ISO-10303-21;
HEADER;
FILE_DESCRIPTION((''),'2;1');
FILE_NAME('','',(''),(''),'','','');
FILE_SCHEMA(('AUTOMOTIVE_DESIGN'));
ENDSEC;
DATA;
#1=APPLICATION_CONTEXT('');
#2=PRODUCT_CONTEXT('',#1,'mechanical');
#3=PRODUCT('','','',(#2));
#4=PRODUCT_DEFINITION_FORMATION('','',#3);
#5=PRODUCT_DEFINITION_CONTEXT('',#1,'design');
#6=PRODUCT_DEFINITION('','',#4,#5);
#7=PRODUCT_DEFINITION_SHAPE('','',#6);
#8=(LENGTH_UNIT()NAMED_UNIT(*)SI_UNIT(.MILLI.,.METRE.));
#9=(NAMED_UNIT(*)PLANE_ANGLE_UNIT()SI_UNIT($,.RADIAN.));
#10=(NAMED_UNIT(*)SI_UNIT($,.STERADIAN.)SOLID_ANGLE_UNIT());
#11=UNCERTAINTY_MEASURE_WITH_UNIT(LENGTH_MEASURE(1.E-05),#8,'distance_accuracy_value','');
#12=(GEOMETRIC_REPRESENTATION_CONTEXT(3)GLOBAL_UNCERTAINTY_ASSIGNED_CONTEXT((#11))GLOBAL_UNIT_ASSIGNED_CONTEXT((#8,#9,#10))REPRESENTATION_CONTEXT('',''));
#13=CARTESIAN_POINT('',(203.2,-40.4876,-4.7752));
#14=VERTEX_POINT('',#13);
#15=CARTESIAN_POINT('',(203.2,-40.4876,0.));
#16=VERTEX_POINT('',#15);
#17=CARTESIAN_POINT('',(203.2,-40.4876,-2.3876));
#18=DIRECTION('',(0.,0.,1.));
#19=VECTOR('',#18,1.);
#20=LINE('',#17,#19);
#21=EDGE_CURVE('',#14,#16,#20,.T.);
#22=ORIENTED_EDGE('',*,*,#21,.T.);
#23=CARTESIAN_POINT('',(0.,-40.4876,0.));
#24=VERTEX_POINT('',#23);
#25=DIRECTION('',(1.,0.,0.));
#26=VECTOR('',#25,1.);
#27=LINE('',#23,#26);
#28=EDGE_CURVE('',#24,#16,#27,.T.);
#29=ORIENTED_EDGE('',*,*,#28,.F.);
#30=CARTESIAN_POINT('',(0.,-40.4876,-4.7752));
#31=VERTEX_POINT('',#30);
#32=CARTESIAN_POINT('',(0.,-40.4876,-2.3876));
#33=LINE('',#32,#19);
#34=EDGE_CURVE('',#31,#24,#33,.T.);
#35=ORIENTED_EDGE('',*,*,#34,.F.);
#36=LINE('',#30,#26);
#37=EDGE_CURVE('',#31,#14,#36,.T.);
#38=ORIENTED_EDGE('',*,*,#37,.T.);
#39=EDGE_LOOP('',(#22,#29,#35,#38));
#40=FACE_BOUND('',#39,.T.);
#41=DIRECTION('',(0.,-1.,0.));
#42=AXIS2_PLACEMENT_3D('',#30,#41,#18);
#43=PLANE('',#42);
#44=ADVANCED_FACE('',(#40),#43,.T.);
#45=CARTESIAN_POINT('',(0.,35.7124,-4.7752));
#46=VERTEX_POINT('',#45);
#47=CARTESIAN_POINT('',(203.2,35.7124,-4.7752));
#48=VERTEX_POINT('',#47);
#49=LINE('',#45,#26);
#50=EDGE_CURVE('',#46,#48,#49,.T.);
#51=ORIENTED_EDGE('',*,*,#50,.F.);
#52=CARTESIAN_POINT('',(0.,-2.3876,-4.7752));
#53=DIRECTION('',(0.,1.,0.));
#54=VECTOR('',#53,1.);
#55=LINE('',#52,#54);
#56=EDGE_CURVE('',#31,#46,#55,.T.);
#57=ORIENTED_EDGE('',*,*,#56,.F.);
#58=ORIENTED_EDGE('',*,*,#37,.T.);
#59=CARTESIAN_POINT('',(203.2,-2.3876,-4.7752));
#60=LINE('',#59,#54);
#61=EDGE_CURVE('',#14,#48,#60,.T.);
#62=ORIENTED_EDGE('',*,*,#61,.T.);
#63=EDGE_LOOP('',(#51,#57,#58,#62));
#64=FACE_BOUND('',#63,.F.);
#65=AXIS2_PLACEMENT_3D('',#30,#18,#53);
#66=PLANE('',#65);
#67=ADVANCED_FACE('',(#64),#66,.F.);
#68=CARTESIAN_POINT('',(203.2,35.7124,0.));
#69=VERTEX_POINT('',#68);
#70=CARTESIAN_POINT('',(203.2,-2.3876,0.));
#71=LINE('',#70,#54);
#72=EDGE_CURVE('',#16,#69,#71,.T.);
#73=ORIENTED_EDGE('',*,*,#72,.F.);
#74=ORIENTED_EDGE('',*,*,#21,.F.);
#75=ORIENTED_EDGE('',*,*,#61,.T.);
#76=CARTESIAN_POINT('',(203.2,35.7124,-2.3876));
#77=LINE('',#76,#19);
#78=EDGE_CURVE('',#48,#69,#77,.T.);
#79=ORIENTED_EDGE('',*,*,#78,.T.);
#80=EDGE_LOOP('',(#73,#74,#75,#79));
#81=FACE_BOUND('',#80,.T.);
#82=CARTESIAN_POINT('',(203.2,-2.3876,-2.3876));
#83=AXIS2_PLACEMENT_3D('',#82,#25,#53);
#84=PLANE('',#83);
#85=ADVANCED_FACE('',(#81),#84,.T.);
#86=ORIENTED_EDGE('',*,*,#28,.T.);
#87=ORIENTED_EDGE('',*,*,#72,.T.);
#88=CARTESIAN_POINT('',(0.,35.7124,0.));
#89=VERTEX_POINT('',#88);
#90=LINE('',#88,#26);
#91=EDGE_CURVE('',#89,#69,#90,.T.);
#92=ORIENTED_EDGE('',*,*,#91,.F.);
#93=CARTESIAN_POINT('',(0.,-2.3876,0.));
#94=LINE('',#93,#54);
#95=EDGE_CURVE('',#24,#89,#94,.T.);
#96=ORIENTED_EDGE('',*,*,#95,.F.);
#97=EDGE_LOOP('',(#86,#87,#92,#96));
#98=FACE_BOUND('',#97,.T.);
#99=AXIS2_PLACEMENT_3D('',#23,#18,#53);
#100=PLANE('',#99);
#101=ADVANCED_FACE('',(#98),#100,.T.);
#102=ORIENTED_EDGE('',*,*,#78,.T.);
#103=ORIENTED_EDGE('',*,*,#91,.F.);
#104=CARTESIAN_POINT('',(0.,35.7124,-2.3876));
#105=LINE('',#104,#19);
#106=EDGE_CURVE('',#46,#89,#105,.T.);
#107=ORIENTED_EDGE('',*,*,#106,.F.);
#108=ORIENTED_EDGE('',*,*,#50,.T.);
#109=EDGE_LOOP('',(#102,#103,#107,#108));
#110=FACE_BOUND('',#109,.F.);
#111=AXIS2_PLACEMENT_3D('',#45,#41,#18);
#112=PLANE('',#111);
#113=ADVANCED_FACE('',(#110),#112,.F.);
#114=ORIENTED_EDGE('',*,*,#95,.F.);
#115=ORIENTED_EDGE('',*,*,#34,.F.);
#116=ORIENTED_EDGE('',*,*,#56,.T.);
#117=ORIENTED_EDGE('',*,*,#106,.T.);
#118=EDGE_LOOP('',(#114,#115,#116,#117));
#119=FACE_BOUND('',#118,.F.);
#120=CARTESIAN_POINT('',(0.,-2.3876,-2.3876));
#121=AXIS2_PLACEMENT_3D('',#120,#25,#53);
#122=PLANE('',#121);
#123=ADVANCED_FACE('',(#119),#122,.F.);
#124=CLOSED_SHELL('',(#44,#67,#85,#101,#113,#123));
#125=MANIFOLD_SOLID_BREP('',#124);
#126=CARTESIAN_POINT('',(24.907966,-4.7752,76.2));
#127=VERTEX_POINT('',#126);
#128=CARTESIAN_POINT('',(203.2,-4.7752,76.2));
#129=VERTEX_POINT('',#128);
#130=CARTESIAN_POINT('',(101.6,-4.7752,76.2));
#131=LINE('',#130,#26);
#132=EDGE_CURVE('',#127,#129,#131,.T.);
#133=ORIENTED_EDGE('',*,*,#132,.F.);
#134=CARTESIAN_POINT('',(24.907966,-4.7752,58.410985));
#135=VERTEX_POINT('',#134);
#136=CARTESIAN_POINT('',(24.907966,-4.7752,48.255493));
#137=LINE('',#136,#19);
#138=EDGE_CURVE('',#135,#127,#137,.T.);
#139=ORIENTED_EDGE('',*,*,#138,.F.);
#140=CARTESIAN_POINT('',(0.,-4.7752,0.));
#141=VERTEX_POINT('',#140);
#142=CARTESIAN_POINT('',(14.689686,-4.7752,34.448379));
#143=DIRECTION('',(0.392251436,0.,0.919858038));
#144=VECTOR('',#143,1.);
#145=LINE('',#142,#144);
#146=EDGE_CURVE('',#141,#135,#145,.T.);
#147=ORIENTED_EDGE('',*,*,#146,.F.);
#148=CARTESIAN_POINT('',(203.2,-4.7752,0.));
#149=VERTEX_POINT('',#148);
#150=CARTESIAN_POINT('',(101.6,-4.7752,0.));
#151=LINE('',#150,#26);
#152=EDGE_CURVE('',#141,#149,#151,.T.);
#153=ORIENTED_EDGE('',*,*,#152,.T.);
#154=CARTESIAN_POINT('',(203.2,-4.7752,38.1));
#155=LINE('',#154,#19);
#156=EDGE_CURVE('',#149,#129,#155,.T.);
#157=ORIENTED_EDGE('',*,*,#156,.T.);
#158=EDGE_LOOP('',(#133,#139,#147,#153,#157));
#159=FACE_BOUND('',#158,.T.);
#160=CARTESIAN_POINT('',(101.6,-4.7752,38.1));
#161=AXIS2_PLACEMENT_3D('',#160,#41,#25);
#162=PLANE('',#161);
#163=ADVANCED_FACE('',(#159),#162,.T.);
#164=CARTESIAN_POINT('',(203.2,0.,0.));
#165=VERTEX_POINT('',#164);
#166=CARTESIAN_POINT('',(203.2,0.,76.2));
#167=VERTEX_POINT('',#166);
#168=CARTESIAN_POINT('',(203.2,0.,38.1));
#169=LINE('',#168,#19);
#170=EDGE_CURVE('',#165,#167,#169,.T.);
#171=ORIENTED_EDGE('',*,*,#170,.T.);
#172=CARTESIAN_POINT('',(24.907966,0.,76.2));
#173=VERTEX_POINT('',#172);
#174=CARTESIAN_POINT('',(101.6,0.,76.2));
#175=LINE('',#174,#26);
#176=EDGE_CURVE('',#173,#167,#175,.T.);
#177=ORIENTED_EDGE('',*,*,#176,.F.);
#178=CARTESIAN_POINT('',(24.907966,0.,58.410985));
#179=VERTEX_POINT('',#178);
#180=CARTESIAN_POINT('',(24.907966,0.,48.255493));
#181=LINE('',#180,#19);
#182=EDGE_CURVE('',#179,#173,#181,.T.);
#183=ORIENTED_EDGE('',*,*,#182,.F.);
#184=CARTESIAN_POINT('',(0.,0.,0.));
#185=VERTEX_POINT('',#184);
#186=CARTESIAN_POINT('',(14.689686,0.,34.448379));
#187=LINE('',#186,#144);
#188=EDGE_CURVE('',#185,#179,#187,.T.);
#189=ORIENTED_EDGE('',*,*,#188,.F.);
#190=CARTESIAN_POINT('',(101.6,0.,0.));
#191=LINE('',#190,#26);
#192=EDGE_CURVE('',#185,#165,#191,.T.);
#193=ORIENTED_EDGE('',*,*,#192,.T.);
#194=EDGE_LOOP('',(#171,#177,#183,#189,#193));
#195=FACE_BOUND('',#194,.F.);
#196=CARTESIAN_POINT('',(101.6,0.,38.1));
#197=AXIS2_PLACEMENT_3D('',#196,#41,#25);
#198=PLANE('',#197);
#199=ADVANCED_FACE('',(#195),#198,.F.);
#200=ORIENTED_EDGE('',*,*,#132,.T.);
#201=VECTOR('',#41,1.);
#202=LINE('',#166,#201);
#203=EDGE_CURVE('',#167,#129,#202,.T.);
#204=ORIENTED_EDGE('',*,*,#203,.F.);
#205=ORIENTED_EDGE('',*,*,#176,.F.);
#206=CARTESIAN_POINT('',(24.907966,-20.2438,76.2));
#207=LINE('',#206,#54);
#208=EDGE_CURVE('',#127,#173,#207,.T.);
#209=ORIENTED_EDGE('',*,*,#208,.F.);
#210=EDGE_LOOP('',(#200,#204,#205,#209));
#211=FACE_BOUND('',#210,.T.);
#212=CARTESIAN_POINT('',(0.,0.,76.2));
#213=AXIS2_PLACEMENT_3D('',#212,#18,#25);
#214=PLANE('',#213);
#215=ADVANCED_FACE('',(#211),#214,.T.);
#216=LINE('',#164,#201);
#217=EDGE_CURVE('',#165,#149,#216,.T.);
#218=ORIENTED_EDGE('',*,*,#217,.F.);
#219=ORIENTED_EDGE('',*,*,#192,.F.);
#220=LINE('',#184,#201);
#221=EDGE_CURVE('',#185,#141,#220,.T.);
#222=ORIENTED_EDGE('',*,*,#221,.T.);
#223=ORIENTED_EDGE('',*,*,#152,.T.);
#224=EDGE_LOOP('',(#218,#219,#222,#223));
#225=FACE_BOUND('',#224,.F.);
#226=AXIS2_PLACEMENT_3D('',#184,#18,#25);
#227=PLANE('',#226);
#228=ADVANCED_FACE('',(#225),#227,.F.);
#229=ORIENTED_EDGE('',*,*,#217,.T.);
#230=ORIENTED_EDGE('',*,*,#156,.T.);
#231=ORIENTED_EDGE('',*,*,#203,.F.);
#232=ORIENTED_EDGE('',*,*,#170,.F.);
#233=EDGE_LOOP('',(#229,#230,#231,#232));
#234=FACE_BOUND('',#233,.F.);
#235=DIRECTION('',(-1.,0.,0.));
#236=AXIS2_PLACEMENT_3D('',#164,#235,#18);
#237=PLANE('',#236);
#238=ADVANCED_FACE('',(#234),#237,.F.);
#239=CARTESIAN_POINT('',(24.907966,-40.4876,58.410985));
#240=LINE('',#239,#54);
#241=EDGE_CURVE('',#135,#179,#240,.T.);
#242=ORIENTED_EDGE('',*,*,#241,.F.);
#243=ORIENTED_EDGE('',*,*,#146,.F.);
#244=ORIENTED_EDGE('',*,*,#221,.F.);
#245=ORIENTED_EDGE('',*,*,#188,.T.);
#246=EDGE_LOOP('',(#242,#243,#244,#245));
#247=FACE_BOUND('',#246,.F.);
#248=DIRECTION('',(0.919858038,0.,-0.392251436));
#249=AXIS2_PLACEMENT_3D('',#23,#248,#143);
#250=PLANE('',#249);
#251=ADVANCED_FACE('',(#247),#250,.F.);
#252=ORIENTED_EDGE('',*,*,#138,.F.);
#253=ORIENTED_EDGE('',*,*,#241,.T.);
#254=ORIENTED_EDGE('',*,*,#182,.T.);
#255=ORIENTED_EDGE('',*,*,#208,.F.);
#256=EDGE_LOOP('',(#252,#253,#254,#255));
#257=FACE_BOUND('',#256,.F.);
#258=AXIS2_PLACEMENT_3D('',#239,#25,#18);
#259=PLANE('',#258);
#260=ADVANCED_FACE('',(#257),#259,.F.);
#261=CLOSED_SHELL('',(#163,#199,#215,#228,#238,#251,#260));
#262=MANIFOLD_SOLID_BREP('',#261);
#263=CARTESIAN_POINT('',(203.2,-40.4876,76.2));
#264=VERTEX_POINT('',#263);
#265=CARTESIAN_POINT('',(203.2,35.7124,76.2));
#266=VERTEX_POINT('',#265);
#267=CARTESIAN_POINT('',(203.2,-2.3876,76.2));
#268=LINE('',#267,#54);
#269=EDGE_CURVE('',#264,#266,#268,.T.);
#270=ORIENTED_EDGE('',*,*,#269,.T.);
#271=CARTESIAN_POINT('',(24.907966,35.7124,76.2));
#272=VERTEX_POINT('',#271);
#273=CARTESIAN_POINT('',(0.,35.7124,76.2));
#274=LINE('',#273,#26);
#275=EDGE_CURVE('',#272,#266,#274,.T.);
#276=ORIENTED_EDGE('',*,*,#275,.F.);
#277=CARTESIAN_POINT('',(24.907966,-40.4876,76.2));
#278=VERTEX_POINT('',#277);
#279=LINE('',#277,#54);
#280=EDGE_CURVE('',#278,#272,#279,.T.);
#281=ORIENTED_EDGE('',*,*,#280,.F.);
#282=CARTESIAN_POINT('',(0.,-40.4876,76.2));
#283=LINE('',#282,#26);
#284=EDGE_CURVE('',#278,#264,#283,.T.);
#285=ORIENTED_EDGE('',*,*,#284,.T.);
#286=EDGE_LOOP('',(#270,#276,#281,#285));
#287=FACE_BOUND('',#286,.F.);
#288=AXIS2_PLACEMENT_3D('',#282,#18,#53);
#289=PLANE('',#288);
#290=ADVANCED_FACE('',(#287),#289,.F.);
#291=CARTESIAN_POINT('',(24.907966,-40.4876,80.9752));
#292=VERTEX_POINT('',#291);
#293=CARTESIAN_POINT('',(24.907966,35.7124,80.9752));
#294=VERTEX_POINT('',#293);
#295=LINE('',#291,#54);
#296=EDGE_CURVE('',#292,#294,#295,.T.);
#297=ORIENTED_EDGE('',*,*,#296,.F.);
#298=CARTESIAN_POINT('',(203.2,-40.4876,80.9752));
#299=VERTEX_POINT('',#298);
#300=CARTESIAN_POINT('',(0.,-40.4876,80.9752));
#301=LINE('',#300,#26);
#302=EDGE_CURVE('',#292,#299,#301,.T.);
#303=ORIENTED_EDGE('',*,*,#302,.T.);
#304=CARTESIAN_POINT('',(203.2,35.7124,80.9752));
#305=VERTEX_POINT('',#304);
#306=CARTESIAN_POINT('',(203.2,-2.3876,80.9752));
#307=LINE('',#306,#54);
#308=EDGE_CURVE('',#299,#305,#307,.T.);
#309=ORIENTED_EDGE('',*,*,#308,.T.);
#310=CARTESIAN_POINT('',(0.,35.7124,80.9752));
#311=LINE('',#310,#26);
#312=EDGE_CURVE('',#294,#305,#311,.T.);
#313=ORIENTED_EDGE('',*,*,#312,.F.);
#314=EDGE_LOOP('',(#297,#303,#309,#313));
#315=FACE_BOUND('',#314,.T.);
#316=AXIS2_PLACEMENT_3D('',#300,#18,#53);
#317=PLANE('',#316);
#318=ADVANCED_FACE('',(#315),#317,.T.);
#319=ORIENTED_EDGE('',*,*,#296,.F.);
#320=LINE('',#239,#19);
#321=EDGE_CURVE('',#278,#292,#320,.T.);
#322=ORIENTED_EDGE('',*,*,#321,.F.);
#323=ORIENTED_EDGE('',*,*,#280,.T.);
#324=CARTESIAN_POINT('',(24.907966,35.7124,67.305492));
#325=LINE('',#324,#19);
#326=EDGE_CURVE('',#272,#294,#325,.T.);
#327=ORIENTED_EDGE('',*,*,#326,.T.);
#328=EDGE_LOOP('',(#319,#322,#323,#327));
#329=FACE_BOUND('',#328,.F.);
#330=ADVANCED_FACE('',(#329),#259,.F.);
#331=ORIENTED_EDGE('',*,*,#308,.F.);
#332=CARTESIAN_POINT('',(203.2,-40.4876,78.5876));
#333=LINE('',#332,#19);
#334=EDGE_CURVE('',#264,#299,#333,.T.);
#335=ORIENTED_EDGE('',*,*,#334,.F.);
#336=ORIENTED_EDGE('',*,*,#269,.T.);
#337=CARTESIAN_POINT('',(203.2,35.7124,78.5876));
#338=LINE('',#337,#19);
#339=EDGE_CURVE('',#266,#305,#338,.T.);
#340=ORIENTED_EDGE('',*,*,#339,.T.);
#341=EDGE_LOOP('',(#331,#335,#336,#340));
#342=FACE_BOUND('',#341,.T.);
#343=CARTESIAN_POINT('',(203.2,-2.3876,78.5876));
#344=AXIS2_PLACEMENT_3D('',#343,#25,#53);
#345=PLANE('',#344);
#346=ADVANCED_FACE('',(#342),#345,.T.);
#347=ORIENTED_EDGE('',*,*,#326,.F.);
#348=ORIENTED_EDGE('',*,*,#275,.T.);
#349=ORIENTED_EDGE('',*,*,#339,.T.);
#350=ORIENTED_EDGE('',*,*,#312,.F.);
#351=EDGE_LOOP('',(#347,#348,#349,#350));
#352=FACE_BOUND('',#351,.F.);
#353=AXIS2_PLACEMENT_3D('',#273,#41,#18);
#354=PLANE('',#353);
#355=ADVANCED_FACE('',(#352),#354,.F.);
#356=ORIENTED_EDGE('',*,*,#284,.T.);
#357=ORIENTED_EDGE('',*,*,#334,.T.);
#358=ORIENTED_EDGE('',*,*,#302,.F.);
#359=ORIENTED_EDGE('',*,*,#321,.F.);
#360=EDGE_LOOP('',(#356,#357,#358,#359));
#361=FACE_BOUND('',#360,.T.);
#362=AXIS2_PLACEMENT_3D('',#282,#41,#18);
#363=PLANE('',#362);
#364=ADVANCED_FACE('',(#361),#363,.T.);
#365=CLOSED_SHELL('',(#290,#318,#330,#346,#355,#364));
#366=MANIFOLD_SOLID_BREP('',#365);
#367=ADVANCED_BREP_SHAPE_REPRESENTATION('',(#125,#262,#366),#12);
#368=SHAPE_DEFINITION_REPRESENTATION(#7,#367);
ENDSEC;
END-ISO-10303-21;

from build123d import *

# Parameters (mm, degrees)
F0_W     = 203.2
F0_H     = 76.2
F1_DEPTH = 4.7752
F2_W     = 76.2
F2_H     = 4.7752
F3_DEPTH = 203.2
F4_W     = 24.907966
F4_H     = 4.7752
F5_DEPTH = 80.264


with BuildPart() as f1:
    # F0 (on Front) → F1 (new body)
    with BuildSketch(Plane.XZ):
        with Locations((101.6, 38.1)):
            Rectangle(F0_W, F0_H)
    extrude(amount=F1_DEPTH)


with BuildPart() as f3:
    # F2 (on Right) → F3 (new body)
    with BuildSketch(Plane.YZ):
        with Locations((-2.3876, 78.5876)):
            Rectangle(F2_W, F2_H)
        with Locations((-2.3876, -2.3876)):
            Rectangle(F2_W, F2_H)
    extrude(amount=F3_DEPTH)


with BuildPart() as f5_tool:
    # F4 (on face) → F5 (new body)
    with BuildSketch(Plane.XZ.offset(40.4876)):
        Polygon((0, 76.2), (0, 0), (24.907966, 58.410985), (24.907966, 76.2), align=None)
        with Locations((12.453983, 78.5876)):
            Rectangle(F4_W, F4_H)
    extrude(amount=-F5_DEPTH)


with BuildPart() as f1_1:
    add(f1.part)

    # F5: cut by f5_tool
    add(f5_tool.part, mode=Mode.SUBTRACT)


with BuildPart() as f3_1:
    add(f3.part)

    # F5: cut by f5_tool
    add(f5_tool.part, mode=Mode.SUBTRACT)


solid = Compound([f1_1.part, f3_1.part])
